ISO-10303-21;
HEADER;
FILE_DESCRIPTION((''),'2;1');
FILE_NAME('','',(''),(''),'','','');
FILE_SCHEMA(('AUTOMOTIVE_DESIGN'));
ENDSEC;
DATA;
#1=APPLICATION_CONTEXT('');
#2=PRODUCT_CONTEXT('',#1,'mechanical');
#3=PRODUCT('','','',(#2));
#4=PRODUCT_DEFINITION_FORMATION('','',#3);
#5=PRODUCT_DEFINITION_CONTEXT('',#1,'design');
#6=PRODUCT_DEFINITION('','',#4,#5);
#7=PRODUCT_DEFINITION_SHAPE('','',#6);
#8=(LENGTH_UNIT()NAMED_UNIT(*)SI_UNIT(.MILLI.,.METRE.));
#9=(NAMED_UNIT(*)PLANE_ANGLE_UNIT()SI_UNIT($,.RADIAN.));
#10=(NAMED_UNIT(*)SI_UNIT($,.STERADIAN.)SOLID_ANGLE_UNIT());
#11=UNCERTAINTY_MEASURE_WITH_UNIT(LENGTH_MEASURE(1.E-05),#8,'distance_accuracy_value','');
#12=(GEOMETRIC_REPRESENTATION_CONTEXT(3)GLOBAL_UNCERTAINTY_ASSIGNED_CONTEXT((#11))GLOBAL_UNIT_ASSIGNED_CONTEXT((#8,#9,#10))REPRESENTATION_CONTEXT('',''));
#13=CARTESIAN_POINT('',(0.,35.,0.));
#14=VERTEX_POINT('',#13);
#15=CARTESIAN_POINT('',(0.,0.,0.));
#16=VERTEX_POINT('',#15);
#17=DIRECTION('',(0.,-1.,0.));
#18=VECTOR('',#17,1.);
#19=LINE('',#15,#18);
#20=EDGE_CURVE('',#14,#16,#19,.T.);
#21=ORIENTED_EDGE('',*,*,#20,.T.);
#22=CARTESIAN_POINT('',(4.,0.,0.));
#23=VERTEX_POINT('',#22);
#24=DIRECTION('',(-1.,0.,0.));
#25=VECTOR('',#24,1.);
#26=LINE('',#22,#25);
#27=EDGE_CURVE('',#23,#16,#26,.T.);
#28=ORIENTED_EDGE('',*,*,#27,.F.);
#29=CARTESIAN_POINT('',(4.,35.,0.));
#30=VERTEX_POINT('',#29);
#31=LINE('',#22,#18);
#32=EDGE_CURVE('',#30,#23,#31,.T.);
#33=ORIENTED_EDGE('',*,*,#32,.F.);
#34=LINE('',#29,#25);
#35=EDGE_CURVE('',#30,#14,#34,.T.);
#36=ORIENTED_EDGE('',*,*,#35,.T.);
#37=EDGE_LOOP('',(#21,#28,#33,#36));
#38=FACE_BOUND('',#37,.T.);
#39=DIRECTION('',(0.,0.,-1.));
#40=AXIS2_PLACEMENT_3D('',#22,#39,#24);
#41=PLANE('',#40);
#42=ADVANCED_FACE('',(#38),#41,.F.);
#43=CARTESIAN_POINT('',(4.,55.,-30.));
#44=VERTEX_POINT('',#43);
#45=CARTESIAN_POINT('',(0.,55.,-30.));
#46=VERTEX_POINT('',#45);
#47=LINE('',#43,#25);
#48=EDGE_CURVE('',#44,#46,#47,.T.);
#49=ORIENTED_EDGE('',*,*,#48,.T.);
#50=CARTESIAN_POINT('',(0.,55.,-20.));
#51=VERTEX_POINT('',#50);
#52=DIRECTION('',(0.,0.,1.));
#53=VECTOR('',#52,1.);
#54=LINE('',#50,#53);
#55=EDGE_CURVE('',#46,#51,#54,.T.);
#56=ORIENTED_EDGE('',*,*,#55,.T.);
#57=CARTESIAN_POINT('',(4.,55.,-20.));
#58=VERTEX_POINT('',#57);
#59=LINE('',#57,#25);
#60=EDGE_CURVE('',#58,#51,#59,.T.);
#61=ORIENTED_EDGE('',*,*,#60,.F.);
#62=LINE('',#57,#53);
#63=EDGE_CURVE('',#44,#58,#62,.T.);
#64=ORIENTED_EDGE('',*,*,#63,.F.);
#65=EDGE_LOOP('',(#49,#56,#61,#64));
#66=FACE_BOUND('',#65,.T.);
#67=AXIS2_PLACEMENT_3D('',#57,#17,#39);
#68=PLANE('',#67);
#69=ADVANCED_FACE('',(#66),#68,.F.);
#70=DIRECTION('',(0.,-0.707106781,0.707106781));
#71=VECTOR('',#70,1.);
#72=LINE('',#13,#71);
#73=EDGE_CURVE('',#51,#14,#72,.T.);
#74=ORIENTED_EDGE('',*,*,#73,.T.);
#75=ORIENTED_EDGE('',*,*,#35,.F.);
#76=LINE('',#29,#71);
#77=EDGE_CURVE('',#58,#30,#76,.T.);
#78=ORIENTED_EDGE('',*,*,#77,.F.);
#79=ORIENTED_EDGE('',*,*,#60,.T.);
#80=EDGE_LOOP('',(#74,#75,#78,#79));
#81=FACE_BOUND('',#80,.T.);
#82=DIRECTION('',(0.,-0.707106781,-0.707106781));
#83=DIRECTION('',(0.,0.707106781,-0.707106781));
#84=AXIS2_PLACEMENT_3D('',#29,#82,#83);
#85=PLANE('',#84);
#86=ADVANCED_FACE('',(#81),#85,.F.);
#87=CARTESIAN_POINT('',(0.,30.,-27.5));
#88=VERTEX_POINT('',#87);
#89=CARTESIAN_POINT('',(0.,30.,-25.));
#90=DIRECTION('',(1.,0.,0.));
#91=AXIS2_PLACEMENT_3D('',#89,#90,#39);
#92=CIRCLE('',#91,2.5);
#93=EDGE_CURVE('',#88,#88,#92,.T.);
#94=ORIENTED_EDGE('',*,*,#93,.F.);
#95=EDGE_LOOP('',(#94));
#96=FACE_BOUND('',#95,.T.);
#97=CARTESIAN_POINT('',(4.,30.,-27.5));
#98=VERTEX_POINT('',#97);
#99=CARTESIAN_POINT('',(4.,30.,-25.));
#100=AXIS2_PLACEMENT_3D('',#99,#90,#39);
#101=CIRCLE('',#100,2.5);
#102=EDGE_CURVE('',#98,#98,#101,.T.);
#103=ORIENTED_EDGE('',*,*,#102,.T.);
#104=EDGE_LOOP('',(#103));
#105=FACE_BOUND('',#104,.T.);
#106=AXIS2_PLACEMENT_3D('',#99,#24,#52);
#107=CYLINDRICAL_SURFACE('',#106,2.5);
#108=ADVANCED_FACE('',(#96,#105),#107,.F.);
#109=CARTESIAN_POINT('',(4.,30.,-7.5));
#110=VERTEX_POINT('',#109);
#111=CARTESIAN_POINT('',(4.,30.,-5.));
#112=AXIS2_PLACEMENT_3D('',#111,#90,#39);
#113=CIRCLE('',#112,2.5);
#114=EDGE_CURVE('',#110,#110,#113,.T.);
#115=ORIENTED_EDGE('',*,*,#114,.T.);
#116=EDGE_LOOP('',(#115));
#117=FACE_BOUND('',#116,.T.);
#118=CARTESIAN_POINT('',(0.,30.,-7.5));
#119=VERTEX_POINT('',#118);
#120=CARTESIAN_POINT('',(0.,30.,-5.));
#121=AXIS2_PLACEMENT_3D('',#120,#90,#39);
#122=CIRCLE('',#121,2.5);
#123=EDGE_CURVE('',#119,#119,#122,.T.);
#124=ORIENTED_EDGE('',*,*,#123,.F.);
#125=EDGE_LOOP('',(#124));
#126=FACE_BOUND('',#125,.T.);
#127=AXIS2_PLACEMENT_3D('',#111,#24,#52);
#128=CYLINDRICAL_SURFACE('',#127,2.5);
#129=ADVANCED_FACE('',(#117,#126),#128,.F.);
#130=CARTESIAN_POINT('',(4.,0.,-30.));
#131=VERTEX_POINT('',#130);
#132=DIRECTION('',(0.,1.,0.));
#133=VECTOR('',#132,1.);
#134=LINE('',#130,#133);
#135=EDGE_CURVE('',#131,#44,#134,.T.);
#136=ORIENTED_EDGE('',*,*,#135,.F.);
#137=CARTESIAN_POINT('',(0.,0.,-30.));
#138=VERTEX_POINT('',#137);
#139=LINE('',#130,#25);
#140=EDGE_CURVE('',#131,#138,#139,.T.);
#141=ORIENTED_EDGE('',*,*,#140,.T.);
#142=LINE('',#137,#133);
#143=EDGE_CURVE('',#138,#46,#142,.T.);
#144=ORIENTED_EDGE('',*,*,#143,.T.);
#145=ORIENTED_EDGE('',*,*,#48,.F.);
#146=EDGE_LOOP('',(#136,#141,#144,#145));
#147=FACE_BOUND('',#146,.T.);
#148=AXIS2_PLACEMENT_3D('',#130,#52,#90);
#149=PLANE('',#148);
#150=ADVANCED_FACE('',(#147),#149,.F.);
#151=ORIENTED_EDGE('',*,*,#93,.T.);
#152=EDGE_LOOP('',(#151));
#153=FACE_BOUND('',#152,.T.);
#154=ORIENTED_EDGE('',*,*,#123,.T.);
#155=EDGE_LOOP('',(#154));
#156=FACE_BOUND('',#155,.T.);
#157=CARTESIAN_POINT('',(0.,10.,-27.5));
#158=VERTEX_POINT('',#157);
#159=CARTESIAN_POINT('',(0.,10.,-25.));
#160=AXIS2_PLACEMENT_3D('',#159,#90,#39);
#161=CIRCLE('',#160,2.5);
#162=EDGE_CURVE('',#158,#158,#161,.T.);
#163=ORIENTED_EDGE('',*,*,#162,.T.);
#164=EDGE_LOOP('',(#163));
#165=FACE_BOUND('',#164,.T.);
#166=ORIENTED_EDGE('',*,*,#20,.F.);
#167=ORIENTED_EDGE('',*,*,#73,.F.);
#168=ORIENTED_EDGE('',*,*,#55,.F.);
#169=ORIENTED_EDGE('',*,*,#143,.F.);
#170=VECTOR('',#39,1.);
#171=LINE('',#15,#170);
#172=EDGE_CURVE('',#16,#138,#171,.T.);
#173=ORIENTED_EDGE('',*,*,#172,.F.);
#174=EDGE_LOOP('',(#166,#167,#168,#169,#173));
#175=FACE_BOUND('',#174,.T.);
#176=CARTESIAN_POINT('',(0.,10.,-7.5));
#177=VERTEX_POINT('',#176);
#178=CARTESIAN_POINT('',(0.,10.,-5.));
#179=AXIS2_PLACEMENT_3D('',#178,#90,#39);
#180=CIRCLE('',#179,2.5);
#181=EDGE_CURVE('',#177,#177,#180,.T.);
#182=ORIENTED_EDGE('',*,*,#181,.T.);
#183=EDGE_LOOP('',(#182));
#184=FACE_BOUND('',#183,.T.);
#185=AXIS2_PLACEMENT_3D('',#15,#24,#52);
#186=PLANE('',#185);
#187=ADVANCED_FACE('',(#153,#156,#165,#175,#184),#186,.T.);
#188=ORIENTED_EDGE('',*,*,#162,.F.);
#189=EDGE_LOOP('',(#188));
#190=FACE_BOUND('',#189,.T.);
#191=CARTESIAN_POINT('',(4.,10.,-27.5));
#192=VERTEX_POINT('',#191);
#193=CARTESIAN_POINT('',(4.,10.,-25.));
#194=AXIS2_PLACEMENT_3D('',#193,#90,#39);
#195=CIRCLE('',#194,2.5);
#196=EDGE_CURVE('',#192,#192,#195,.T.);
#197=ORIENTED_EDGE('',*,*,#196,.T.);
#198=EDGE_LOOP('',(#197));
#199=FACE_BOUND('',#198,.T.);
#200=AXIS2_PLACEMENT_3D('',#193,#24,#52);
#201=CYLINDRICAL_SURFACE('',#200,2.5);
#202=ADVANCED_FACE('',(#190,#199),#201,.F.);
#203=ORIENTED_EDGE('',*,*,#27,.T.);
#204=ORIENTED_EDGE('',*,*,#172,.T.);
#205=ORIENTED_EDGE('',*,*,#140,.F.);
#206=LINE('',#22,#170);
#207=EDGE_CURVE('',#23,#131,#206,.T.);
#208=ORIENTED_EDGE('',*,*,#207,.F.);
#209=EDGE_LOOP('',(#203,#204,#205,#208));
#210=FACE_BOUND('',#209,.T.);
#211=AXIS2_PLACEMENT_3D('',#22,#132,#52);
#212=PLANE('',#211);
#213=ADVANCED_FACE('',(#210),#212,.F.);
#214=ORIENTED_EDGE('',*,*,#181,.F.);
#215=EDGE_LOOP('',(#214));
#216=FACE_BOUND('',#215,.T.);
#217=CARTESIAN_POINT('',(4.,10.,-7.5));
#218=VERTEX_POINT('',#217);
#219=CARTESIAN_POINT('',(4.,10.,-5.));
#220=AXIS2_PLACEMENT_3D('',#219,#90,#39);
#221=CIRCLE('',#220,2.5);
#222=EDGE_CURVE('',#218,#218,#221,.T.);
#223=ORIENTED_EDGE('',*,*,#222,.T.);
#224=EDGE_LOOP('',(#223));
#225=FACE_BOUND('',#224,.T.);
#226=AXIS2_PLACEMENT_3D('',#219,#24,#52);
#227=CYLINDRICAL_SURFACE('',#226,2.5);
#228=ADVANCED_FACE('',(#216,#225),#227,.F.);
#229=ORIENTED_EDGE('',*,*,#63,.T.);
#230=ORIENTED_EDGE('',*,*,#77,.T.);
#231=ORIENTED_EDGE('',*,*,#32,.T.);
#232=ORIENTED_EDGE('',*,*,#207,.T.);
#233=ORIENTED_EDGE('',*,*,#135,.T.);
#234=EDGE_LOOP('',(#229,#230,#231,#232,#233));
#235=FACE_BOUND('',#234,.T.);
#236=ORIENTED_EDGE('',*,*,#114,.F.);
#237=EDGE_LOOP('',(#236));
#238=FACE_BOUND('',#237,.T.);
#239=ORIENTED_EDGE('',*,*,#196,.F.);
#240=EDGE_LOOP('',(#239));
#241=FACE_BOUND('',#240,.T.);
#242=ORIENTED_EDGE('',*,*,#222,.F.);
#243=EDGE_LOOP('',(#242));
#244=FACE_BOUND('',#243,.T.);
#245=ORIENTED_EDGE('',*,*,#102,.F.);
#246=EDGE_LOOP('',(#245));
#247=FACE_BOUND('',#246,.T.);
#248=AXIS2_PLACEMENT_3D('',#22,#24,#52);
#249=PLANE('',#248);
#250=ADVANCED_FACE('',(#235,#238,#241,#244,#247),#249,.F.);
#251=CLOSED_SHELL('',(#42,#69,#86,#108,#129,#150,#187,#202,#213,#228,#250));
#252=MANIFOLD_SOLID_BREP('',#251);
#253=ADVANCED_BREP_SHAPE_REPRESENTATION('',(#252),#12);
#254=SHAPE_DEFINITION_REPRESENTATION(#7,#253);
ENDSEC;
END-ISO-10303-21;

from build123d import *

# Parameters (mm, degrees)
SKETCH_1_R      = 2.5
EXTRUDE_1_DEPTH = 4


with BuildPart() as part:
    # Эскиз1 → Бобышка-Вытянуть1 (new body)
    with BuildSketch(Plane(origin=(0, 0, 0), x_dir=(0, 0, -1), z_dir=(1, 0, 0))):
        Polygon((0, 0), (30, 0), (30, 55), (20, 55), (0, 35), align=None)
        with Locations((5, 10)):
            Circle(SKETCH_1_R, mode=Mode.SUBTRACT)
        with Locations((25, 10)):
            Circle(SKETCH_1_R, mode=Mode.SUBTRACT)
        with Locations((5, 30)):
            Circle(SKETCH_1_R, mode=Mode.SUBTRACT)
        with Locations((25, 30)):
            Circle(SKETCH_1_R, mode=Mode.SUBTRACT)
    extrude(amount=EXTRUDE_1_DEPTH)


solid = part.part
